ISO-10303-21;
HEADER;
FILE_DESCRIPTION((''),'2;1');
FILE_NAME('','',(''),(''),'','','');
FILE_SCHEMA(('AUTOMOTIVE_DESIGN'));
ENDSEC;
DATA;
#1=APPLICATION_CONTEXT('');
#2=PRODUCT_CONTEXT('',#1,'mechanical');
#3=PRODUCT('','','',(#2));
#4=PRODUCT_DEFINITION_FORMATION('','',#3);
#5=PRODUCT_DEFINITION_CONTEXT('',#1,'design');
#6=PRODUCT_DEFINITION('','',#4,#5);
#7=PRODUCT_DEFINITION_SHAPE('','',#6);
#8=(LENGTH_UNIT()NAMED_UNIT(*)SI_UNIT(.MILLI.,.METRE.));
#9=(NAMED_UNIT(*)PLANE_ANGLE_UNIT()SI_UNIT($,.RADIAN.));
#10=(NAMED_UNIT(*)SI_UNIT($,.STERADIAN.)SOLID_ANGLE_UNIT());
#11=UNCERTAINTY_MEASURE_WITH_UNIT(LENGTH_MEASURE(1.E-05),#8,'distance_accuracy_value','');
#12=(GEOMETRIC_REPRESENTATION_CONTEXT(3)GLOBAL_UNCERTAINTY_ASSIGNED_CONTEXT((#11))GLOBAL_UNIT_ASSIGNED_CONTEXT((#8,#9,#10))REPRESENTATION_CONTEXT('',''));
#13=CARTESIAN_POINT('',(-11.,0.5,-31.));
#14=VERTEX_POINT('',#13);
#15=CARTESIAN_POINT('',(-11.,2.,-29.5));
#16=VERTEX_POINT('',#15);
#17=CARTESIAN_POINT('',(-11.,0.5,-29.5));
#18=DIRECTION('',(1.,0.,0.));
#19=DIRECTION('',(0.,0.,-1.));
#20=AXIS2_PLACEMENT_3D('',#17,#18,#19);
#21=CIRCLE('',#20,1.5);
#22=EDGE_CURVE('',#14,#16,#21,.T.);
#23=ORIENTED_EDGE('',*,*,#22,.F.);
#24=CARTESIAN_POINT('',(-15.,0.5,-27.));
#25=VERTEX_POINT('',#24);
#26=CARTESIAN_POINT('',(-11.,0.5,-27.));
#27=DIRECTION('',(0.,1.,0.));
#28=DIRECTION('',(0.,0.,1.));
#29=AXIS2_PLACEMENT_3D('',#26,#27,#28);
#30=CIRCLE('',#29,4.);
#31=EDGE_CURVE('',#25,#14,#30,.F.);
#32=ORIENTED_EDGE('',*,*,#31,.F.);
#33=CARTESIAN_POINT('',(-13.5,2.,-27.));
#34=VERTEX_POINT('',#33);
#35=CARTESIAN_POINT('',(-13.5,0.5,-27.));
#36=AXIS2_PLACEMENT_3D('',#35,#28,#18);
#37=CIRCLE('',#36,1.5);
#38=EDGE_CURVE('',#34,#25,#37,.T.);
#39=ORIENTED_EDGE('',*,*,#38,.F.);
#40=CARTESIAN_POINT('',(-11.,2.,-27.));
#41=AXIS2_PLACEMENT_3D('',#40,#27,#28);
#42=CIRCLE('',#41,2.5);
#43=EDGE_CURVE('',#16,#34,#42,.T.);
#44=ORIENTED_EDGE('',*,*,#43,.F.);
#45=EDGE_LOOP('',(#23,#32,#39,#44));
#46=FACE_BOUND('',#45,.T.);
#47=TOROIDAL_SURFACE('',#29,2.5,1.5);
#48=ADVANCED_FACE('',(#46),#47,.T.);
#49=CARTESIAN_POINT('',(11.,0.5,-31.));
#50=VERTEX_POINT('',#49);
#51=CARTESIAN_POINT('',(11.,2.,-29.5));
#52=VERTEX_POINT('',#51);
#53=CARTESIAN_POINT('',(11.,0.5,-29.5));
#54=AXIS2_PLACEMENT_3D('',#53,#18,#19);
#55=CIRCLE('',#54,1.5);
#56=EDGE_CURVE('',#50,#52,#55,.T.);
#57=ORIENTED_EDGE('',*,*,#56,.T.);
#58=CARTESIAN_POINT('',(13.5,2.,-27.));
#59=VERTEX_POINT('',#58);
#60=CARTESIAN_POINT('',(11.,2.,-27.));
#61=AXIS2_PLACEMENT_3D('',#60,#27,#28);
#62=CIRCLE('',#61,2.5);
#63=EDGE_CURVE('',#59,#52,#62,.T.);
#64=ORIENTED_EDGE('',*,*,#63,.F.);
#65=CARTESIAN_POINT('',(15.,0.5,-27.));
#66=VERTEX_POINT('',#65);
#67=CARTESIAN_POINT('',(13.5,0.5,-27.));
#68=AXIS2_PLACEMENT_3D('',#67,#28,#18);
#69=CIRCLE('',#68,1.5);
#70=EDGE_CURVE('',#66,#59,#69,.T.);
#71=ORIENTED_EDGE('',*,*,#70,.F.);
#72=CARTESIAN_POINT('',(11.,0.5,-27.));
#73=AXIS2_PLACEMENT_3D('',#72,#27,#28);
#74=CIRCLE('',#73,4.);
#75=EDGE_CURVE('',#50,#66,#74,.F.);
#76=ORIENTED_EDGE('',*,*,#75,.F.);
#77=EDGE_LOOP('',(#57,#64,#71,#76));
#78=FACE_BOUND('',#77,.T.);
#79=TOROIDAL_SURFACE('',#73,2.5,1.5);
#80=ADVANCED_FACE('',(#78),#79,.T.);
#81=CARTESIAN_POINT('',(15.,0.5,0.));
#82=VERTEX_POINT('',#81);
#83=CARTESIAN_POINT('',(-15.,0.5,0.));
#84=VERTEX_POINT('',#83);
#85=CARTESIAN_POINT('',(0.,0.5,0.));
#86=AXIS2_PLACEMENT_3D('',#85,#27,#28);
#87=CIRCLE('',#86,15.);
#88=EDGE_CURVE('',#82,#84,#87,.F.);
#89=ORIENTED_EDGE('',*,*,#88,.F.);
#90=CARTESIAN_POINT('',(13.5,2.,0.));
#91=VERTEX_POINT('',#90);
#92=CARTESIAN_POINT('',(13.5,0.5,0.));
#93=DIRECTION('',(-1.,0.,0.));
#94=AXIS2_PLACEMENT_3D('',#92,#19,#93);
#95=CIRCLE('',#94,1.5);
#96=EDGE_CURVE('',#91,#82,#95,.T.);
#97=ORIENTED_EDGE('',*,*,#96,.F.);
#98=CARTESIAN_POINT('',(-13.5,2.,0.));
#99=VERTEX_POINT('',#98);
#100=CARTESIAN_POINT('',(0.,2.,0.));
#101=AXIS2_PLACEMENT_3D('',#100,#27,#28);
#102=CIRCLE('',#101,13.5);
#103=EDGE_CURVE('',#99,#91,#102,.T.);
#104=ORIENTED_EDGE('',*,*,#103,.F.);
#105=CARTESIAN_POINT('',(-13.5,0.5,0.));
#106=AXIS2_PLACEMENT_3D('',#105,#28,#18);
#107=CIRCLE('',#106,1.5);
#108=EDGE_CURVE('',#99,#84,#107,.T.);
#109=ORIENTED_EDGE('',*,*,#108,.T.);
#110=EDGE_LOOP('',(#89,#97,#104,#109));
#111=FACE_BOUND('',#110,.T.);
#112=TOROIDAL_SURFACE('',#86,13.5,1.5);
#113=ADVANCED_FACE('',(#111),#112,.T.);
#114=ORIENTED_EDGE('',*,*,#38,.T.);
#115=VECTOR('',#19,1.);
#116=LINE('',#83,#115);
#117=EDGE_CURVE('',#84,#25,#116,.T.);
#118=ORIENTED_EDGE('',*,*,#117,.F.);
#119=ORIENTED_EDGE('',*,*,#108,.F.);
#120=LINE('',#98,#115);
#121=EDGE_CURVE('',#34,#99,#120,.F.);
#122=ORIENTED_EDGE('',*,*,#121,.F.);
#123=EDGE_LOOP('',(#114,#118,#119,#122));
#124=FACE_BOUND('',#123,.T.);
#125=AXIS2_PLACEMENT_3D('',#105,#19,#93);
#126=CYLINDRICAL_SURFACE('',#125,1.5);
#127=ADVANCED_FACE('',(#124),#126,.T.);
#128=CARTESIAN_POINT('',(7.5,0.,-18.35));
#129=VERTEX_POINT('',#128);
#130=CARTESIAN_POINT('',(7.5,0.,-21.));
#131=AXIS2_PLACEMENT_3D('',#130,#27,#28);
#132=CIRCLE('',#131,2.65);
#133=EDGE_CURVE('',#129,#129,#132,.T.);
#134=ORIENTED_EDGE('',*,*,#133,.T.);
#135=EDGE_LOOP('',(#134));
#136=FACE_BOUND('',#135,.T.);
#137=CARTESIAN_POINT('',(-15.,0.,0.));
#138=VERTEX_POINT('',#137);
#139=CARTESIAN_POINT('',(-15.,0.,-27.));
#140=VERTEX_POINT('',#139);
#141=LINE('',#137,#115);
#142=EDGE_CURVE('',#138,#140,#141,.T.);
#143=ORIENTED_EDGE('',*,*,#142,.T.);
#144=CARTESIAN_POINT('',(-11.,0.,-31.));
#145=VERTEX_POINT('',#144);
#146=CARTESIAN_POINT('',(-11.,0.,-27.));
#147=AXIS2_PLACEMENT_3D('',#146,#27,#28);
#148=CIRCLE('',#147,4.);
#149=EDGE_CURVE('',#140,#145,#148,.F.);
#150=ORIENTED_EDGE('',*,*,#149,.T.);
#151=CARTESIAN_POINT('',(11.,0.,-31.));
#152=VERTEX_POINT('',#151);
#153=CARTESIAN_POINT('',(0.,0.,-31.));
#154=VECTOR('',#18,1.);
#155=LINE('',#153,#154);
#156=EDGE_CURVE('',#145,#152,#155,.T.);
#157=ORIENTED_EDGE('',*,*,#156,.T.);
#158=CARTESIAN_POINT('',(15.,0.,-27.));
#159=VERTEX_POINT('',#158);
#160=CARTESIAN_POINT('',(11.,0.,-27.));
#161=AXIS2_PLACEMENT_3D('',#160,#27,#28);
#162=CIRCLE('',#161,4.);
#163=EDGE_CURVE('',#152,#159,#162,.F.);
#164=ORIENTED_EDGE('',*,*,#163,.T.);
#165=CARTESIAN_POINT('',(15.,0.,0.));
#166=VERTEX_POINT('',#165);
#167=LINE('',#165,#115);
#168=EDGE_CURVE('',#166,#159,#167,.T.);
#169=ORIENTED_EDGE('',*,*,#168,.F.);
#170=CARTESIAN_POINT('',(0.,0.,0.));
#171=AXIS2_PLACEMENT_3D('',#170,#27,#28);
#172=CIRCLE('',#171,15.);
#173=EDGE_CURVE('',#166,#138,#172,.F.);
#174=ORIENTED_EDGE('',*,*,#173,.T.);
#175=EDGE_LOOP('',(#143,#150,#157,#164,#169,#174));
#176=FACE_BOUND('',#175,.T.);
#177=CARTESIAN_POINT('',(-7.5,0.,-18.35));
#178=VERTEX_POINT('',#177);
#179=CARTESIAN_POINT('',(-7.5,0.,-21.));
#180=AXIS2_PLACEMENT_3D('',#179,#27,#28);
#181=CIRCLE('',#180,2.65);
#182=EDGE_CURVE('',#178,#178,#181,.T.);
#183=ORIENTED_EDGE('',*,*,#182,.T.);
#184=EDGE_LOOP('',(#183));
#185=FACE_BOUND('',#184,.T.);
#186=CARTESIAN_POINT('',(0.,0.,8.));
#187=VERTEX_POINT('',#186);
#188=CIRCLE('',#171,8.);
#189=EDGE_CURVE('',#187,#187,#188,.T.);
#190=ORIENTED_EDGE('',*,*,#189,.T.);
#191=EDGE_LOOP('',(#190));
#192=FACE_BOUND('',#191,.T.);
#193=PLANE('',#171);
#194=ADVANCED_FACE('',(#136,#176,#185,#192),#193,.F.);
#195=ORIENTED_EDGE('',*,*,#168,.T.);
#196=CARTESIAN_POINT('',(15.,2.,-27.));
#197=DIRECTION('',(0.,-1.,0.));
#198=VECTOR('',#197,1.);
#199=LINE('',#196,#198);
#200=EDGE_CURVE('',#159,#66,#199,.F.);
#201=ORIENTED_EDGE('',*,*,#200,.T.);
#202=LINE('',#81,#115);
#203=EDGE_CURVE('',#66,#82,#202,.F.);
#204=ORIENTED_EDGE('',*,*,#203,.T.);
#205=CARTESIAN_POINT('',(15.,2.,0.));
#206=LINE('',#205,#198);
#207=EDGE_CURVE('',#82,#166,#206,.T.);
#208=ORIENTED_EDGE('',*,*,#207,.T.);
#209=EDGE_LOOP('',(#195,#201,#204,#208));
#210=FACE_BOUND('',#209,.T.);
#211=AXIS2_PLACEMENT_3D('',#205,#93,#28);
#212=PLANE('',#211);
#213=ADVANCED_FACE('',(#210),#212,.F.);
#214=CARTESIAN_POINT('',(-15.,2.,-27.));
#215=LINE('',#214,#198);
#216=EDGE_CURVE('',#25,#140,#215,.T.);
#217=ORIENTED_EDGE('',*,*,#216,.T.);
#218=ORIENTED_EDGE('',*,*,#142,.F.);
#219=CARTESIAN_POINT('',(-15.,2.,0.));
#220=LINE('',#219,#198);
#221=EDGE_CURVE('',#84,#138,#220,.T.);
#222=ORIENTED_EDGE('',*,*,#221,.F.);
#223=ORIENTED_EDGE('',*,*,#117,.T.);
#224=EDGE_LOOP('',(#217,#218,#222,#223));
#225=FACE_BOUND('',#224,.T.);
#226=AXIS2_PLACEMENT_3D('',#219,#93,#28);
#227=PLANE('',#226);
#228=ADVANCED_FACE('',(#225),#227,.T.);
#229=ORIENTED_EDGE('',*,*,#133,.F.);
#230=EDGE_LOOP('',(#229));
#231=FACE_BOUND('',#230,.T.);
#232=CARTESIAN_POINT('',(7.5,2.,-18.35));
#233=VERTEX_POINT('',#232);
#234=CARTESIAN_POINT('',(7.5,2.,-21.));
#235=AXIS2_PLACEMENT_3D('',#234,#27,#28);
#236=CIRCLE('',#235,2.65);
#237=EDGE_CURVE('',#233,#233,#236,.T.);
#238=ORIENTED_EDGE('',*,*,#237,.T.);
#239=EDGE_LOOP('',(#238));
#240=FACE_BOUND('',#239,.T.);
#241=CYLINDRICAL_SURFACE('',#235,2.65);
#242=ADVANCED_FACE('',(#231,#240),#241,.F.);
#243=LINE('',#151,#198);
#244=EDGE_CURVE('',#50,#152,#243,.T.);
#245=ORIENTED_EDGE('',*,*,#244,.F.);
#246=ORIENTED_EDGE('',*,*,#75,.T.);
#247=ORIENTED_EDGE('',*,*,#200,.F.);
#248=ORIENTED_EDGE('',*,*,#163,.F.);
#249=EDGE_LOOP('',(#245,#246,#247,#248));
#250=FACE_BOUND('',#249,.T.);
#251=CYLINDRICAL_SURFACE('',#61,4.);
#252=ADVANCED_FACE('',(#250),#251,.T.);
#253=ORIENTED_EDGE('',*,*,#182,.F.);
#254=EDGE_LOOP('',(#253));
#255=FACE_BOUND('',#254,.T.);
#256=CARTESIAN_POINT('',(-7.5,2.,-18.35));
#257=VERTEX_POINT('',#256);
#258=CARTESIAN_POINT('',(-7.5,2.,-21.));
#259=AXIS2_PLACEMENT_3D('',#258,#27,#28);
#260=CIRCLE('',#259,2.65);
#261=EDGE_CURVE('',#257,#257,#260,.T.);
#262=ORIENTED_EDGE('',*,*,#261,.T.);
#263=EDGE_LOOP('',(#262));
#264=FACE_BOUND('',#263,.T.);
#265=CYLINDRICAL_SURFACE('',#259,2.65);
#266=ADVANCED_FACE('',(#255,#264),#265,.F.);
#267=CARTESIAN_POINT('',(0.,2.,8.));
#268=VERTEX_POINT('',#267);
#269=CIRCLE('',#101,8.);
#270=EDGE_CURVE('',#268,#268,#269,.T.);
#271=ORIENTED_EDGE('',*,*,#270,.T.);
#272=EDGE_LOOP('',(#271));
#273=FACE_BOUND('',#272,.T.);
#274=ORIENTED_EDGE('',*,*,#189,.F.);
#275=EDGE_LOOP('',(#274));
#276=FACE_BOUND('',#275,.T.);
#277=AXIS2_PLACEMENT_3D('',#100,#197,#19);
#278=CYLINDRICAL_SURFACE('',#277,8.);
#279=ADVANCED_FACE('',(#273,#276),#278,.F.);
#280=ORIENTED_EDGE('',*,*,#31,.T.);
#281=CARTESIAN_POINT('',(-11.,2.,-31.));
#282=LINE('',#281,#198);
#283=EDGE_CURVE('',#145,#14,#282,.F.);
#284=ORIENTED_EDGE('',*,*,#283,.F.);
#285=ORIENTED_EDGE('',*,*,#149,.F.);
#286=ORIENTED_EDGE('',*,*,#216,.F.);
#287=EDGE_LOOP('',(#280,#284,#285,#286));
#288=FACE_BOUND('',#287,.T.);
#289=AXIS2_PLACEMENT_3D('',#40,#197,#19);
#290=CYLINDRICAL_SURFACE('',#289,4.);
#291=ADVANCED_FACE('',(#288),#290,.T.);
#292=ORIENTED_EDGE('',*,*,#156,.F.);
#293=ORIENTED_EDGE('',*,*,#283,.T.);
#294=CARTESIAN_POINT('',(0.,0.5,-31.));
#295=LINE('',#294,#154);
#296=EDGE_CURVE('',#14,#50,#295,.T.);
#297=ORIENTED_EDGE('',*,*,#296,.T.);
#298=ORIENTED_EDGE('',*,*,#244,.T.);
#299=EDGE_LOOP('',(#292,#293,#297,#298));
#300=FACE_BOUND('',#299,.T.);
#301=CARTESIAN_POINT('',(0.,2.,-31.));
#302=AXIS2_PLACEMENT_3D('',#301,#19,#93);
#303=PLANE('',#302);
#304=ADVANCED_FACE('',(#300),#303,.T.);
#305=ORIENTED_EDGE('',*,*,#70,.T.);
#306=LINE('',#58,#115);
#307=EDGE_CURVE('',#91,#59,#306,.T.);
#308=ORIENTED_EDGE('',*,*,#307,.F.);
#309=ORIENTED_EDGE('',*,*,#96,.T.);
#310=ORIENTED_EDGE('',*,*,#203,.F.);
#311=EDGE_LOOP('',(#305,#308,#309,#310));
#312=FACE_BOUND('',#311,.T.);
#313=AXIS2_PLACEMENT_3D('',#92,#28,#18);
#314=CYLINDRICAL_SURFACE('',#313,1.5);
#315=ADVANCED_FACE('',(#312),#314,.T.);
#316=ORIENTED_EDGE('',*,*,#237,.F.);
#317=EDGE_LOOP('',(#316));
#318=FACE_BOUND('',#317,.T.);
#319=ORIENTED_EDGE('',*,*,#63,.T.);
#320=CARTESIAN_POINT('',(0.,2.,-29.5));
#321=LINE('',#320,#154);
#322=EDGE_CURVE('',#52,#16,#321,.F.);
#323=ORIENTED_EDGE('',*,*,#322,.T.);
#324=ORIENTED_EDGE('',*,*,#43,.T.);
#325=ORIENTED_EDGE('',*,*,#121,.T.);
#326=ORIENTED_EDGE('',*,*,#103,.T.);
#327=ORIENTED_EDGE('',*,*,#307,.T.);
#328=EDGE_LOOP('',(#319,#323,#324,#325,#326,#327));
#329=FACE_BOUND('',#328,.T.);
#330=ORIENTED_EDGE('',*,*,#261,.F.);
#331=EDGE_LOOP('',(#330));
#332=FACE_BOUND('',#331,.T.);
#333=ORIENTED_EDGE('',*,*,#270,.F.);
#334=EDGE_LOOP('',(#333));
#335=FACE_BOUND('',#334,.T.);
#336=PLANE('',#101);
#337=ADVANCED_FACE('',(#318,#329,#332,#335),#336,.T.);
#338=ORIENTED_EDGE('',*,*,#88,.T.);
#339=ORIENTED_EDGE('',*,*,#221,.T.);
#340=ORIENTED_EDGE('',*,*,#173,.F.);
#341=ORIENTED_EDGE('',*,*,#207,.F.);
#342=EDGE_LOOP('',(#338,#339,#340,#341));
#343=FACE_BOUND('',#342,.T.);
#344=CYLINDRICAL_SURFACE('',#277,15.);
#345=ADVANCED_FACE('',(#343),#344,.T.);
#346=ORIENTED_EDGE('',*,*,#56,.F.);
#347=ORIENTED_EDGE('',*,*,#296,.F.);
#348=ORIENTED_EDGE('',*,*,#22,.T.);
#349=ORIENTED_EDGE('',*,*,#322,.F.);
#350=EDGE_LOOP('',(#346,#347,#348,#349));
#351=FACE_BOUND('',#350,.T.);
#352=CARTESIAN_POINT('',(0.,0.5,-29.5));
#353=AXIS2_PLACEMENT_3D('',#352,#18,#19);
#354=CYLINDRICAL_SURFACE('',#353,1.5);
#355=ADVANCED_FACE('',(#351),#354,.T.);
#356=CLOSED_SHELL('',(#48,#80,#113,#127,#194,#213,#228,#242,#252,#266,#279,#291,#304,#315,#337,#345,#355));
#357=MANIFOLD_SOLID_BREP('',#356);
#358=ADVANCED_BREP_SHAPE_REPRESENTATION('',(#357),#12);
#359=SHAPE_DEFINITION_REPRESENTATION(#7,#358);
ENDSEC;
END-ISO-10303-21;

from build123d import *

# Parameters (mm, degrees)
SKETCH1_R            = 8
BOSS_EXTRUDE1_DEPTH  = 2
M5_CLEARANCE_HOLE1_D = 5.3
FILLET1_R            = 4
FILLET2_R            = 1.5


with BuildPart() as part:
    # Sketch1 → Boss-Extrude1 (new body)
    with BuildSketch(Plane(origin=(0, 0, 0), x_dir=(1, 0, 0), z_dir=(0, 1, 0))):
        with BuildLine():
            Line((-15, 0), (-15, 31))
            Line((-15, 31), (15, 31))
            Line((15, 31), (15, 0))
            ThreePointArc((15, 0), (0, -15), (-15, 0))
        make_face()
        with Locations(Location((0, 0, 0), (0, 0, 270))):
            Circle(SKETCH1_R, mode=Mode.SUBTRACT)
    extrude(amount=BOSS_EXTRUDE1_DEPTH)

    # M5 Clearance Hole1 (through all)
    with Locations(Plane(origin=(-7.5, 2, -21), x_dir=(0, 0, 1), z_dir=(0, 1, 0))):
        with Locations((0, 0), (0, 15)):
            Hole(M5_CLEARANCE_HOLE1_D / 2)

    # Fillet1
    fillet1_edges = [part.edges().sort_by_distance(p)[0] for p in [
        (-15, 1, -31),
        (15, 1, -31),
    ]]
    fillet(fillet1_edges, radius=FILLET1_R)

    # Fillet2
    fillet2_edges = [part.edges().sort_by_distance(p)[0] for p in [
        (15, 2, -13.5),
        (-15, 2, -13.5),
        (0, 2, -31),
        (-13.828427125, 2, -29.828427125),
        (13.828427125, 2, -29.828427125),
        (0, 2, 15),
    ]]
    fillet(fillet2_edges, radius=FILLET2_R)


solid = part.part
